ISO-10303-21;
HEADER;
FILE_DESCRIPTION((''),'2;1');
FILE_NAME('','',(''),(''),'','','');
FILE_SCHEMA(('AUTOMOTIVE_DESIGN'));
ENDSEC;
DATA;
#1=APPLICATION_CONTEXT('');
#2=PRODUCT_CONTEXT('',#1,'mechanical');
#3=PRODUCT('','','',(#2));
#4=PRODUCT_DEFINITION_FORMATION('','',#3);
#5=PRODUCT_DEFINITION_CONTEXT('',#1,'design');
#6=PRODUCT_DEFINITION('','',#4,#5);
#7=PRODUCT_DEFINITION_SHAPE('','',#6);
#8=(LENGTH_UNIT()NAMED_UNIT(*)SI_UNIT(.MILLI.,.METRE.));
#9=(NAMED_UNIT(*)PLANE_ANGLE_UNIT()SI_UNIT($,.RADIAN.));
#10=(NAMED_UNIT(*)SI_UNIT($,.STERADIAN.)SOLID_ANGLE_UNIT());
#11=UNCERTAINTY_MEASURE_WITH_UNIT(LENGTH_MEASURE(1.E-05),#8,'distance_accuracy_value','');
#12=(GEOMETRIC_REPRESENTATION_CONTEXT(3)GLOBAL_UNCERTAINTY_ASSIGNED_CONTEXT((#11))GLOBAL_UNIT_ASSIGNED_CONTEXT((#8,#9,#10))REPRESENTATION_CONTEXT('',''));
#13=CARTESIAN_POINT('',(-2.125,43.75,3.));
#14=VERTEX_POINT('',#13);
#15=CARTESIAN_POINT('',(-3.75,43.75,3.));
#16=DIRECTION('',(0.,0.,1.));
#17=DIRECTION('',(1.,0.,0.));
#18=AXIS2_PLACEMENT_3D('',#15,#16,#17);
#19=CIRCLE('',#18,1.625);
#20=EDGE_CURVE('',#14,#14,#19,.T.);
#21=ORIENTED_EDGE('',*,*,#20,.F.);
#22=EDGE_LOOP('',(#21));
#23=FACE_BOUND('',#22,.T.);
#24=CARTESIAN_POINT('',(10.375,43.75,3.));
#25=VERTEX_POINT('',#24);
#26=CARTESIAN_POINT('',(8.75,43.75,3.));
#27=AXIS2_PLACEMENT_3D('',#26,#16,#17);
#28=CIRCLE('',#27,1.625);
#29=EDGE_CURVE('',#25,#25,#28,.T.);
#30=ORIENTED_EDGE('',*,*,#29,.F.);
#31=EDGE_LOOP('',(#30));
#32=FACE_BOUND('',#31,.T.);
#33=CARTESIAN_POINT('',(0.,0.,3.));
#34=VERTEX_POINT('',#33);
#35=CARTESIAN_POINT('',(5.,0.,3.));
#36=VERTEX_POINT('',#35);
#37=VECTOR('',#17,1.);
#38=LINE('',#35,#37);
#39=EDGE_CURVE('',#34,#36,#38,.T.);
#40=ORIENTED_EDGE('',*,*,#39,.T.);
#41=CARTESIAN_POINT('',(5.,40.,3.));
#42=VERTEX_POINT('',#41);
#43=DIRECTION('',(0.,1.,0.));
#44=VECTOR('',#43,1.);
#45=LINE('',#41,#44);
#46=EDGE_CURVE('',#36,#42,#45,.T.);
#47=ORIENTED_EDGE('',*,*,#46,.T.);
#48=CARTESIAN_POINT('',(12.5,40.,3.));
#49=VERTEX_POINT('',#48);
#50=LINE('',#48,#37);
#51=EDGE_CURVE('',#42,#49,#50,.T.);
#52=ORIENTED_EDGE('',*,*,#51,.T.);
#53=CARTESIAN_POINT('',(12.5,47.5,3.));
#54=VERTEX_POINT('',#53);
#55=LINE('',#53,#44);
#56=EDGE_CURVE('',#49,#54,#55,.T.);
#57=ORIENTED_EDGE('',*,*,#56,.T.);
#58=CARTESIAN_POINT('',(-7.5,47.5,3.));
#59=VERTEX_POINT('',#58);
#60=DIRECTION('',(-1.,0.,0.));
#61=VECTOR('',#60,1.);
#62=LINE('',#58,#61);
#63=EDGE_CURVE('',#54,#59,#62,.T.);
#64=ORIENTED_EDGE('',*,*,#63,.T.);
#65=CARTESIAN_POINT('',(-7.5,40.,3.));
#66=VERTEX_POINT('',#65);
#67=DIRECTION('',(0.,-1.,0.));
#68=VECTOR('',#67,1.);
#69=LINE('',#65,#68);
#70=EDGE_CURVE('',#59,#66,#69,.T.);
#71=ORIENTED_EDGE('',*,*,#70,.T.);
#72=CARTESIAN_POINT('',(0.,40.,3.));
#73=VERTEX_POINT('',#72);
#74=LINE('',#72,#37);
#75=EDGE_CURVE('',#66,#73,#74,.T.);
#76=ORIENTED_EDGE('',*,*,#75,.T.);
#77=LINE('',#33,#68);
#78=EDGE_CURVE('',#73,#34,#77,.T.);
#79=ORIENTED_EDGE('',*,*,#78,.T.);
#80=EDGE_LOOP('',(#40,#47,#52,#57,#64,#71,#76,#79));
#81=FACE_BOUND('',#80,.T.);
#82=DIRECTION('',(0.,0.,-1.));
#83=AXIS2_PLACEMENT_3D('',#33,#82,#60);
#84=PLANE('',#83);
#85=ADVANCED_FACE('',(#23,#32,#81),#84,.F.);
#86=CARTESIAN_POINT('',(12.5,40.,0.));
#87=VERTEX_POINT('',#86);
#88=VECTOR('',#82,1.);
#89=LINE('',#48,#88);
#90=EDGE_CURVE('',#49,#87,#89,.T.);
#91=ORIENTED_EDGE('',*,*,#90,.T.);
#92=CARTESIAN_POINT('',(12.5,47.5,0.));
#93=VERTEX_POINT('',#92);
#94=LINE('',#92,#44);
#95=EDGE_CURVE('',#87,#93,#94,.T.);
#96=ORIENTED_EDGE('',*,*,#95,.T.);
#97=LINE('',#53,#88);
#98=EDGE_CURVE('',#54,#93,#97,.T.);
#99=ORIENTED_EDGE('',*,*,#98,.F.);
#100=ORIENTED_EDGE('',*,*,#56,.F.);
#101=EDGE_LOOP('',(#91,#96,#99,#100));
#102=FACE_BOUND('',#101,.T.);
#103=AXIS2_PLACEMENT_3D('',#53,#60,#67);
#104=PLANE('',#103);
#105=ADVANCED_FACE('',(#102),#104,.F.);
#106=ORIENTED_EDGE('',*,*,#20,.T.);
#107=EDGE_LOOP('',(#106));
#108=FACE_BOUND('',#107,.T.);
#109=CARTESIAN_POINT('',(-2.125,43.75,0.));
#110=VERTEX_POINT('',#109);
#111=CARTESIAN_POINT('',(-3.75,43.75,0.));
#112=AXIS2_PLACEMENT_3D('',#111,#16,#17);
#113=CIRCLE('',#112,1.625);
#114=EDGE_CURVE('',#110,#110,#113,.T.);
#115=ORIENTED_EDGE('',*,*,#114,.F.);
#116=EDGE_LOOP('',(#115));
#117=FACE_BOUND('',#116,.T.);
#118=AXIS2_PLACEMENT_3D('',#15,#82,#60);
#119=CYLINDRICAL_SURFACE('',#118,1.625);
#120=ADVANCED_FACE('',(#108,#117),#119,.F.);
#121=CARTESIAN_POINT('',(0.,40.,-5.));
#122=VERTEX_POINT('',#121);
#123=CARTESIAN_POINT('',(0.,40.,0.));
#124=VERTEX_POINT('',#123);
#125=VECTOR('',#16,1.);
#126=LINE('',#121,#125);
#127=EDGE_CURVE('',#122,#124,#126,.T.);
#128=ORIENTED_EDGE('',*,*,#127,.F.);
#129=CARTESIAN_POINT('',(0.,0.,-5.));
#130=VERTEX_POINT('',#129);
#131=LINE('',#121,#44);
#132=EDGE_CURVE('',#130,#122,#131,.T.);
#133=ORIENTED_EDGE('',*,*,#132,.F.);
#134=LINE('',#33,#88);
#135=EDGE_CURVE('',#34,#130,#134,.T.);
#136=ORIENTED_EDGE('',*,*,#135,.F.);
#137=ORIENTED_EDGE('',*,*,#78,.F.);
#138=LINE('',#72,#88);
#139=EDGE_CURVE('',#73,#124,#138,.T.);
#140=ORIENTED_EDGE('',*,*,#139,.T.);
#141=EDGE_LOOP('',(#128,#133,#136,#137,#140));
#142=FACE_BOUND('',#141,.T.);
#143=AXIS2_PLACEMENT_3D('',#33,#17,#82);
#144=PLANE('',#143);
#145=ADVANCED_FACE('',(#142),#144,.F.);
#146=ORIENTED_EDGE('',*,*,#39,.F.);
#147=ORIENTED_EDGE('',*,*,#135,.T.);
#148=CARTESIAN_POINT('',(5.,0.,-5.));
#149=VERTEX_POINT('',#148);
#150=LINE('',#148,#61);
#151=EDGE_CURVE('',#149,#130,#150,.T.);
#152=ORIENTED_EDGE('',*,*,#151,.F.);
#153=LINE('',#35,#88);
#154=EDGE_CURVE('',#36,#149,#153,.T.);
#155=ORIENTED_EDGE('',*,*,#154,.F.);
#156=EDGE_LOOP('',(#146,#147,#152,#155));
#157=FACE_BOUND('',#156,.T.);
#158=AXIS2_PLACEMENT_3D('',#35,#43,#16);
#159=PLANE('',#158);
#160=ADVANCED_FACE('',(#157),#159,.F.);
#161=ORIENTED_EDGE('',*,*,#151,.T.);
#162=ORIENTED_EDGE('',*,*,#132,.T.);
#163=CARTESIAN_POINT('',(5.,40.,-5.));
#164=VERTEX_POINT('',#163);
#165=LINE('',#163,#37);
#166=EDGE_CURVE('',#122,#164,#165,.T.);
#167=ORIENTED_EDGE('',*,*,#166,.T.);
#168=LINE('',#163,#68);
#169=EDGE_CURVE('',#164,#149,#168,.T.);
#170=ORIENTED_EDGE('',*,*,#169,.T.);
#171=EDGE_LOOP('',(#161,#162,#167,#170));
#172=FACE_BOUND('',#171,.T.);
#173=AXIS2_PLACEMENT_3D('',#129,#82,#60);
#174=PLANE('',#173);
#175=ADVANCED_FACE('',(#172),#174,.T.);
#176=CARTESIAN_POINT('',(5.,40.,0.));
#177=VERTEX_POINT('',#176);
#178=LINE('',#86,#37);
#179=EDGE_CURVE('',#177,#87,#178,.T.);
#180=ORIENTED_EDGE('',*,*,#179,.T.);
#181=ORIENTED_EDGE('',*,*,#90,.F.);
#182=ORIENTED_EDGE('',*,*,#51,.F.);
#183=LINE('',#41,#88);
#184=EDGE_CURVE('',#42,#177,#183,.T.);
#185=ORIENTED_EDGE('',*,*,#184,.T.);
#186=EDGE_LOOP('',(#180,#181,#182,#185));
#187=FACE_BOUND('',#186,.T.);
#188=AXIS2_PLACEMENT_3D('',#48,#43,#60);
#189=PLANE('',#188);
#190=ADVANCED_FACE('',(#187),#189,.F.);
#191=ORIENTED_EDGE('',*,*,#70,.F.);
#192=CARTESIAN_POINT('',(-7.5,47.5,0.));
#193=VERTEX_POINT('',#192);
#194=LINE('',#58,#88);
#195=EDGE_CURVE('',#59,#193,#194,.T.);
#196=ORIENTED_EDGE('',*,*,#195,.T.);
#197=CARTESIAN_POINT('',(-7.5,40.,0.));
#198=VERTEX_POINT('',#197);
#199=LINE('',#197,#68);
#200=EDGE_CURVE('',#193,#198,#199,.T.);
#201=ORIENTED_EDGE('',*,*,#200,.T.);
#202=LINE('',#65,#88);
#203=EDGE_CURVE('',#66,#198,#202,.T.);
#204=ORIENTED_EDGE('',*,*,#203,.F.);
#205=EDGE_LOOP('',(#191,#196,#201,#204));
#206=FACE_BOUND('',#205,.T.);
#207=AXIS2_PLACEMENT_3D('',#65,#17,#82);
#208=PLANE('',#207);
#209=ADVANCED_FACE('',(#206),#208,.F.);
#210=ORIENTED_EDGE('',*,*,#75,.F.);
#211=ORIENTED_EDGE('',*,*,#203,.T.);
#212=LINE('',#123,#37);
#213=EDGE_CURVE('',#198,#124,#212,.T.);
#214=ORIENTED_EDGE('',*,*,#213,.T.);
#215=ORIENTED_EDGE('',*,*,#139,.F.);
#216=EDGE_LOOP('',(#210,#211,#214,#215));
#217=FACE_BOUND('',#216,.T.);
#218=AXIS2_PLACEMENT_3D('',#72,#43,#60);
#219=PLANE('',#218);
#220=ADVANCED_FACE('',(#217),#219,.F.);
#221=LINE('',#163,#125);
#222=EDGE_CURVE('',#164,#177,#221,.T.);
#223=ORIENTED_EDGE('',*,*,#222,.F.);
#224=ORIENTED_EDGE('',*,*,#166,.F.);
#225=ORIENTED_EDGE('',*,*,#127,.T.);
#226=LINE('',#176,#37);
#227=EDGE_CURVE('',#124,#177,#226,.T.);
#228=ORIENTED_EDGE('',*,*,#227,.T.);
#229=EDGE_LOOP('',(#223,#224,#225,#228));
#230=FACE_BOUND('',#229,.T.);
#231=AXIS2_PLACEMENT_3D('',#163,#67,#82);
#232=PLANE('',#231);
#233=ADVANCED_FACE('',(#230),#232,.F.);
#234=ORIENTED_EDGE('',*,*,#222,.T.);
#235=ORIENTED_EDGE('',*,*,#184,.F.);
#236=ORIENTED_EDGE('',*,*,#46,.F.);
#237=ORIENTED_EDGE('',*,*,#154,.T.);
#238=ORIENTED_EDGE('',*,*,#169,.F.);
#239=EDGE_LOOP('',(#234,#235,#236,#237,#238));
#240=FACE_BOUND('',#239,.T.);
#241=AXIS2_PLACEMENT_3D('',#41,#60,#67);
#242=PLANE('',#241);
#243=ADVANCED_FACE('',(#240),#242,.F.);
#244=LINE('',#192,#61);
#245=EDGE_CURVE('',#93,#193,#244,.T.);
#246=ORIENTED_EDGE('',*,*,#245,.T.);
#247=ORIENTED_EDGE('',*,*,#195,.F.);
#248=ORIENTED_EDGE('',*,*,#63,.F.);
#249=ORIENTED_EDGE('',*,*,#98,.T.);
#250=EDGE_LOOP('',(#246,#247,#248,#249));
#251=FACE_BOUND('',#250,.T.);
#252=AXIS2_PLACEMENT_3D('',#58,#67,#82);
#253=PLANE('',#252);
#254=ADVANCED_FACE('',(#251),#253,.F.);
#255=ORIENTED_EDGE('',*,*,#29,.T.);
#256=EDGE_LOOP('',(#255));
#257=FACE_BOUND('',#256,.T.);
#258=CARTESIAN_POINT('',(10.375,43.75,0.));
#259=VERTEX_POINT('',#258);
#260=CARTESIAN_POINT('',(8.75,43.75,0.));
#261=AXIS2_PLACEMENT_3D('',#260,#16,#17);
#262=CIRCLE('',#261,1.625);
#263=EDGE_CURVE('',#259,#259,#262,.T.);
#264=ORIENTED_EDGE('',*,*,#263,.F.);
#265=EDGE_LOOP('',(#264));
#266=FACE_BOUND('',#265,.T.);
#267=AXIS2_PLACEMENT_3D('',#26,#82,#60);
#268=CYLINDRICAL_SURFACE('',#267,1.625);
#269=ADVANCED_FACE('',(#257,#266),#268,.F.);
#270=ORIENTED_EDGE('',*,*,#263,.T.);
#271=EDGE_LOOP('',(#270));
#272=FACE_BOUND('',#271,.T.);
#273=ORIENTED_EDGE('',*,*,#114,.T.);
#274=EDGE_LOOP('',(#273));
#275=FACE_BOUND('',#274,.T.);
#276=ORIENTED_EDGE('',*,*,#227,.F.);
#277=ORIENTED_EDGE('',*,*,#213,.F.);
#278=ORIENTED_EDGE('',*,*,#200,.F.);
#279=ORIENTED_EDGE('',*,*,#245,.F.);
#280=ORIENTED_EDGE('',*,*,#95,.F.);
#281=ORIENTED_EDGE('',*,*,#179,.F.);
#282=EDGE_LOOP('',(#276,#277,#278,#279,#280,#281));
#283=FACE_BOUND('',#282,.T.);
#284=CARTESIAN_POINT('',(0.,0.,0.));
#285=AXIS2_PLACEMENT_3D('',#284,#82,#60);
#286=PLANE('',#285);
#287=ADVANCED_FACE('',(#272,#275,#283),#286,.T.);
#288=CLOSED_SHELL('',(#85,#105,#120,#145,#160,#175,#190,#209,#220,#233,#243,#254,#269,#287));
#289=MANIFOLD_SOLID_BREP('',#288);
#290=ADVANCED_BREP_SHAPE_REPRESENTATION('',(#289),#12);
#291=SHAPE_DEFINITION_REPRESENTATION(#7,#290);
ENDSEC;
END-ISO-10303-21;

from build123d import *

# Parameters (mm, degrees)
SKETCH1_R           = 1.625
BOSS_EXTRUDE1_DEPTH = 3
SKETCH3_W           = 5
SKETCH3_H           = 40
BOSS_EXTRUDE3_DEPTH = 5


with BuildPart() as part:
    # Sketch1 → Boss-Extrude1 (new body)
    with BuildSketch(Plane.XY):
        Polygon((0, 0), (0, 40), (-7.5, 40), (-7.5, 47.5), (12.5, 47.5), (12.5, 40), (5, 40), (5, 0), align=None)
        with Locations((-3.75, 43.75)):
            Circle(SKETCH1_R, mode=Mode.SUBTRACT)
        with Locations((8.75, 43.75)):
            Circle(SKETCH1_R, mode=Mode.SUBTRACT)
    extrude(amount=BOSS_EXTRUDE1_DEPTH)

    # Sketch3 → Boss-Extrude3 (add)
    with BuildSketch(Plane(origin=(0, 0, 0), x_dir=(-1, 0, 0), z_dir=(0, 0, -1))):
        with Locations((-2.5, 20)):
            Rectangle(SKETCH3_W, SKETCH3_H)
    extrude(amount=BOSS_EXTRUDE3_DEPTH)


solid = part.part
